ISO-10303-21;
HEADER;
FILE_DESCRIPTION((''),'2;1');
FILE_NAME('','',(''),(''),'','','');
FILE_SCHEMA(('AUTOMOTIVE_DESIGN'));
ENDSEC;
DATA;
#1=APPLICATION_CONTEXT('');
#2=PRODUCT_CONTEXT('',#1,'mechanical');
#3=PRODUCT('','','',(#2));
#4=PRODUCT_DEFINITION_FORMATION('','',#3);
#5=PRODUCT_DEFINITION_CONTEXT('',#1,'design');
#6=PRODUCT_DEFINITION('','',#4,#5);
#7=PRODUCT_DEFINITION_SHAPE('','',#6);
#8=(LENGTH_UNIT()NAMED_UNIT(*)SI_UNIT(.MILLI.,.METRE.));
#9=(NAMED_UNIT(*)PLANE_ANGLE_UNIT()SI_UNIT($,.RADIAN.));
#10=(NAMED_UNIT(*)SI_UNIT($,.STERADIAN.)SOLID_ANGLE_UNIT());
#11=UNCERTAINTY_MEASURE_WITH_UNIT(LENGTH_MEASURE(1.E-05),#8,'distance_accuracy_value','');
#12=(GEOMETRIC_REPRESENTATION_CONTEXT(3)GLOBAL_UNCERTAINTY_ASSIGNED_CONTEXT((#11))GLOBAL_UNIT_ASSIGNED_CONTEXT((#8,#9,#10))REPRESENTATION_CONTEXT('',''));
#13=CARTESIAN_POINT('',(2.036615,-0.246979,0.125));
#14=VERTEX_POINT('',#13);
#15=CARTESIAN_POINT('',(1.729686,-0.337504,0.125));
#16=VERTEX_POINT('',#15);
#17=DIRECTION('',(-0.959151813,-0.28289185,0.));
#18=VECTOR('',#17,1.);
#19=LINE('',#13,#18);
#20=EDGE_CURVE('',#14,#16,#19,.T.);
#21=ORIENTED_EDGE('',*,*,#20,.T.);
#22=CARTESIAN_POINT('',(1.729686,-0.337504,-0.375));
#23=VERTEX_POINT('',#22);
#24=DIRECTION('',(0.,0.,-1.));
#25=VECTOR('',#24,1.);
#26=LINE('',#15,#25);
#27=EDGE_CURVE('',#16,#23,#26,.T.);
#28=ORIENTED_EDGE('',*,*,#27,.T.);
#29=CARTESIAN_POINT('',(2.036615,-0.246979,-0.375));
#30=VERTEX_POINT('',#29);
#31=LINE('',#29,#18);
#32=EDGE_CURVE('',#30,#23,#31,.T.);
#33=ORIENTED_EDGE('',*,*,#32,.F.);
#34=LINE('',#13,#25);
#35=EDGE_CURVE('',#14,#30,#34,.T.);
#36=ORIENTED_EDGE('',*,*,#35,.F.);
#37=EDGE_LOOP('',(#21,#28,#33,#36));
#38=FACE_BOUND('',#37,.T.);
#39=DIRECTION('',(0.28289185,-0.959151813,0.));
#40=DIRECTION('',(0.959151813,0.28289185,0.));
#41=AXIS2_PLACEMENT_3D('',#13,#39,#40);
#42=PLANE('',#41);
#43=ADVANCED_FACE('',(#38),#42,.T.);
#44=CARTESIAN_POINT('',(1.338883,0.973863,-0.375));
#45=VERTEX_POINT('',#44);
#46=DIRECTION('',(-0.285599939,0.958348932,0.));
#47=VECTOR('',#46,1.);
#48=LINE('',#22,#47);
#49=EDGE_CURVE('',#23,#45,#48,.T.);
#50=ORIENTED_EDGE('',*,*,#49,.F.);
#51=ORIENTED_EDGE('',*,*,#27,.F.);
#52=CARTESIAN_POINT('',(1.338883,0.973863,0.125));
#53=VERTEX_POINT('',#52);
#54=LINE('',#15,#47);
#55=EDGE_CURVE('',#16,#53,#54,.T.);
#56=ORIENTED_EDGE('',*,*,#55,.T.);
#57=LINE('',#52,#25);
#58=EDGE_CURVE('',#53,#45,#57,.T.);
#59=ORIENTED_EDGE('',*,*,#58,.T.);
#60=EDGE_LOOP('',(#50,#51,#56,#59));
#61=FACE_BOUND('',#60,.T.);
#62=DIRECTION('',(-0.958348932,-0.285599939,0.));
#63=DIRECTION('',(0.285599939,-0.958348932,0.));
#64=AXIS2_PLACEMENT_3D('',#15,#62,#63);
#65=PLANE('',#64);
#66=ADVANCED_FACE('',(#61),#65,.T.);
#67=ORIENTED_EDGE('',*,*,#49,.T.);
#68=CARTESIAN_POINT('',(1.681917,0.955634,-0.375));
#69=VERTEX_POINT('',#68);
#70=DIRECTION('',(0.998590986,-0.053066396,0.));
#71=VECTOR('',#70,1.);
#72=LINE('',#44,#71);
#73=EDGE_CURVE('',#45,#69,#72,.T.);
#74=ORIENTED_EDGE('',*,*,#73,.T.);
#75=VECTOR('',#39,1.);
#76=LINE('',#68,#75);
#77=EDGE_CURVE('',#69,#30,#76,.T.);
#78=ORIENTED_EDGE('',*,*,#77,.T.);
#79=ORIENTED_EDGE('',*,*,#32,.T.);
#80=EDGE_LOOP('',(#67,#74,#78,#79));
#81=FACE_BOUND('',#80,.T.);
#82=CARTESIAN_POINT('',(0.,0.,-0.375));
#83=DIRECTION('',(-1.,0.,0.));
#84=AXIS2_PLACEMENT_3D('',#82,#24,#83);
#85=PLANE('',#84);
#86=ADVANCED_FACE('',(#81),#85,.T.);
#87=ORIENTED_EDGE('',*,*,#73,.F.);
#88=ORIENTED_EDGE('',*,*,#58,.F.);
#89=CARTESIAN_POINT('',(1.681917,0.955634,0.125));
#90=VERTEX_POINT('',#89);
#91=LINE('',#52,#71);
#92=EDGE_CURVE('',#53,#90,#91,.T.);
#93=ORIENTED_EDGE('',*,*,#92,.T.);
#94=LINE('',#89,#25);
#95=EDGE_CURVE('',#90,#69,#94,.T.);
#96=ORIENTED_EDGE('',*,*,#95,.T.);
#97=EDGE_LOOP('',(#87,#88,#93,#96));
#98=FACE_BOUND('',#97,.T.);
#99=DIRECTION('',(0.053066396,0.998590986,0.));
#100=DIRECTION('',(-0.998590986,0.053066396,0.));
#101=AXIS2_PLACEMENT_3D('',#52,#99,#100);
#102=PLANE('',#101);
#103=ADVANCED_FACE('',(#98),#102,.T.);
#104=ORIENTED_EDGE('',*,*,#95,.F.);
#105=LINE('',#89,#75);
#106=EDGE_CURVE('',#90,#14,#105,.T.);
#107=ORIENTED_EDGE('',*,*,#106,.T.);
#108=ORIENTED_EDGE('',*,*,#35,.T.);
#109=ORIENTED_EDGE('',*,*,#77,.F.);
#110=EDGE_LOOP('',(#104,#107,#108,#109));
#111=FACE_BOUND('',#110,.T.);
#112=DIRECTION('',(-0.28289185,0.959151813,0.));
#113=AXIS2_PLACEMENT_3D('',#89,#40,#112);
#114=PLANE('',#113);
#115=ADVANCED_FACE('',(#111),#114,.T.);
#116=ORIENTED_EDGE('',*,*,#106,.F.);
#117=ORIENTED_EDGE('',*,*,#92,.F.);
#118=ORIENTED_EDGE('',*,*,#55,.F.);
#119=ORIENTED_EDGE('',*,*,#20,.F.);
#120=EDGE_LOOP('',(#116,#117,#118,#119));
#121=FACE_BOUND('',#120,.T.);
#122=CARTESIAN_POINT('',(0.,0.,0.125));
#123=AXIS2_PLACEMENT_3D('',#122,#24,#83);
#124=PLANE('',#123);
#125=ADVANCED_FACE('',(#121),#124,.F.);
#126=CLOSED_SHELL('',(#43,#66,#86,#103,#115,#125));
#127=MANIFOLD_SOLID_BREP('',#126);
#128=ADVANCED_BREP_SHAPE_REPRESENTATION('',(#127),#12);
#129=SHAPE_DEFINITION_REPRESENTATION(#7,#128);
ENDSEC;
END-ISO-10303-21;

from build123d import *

# Parameters (mm, degrees)
BOSS_EXTRUDE1_DEPTH = 0.5


with BuildPart() as part:
    # Sketch1 → Boss-Extrude1 (new body)
    with BuildSketch(Plane(origin=(0, 0, -0.375), x_dir=(-1, 0, 0), z_dir=(0, 0, -1))):
        Polygon((-1.681917069, 0.955633573), (-2.036614991, -0.246978501), (-1.729686411, -0.337503893), (-1.338882758, 0.973862853), align=None)
    extrude(amount=-BOSS_EXTRUDE1_DEPTH)


solid = part.part
